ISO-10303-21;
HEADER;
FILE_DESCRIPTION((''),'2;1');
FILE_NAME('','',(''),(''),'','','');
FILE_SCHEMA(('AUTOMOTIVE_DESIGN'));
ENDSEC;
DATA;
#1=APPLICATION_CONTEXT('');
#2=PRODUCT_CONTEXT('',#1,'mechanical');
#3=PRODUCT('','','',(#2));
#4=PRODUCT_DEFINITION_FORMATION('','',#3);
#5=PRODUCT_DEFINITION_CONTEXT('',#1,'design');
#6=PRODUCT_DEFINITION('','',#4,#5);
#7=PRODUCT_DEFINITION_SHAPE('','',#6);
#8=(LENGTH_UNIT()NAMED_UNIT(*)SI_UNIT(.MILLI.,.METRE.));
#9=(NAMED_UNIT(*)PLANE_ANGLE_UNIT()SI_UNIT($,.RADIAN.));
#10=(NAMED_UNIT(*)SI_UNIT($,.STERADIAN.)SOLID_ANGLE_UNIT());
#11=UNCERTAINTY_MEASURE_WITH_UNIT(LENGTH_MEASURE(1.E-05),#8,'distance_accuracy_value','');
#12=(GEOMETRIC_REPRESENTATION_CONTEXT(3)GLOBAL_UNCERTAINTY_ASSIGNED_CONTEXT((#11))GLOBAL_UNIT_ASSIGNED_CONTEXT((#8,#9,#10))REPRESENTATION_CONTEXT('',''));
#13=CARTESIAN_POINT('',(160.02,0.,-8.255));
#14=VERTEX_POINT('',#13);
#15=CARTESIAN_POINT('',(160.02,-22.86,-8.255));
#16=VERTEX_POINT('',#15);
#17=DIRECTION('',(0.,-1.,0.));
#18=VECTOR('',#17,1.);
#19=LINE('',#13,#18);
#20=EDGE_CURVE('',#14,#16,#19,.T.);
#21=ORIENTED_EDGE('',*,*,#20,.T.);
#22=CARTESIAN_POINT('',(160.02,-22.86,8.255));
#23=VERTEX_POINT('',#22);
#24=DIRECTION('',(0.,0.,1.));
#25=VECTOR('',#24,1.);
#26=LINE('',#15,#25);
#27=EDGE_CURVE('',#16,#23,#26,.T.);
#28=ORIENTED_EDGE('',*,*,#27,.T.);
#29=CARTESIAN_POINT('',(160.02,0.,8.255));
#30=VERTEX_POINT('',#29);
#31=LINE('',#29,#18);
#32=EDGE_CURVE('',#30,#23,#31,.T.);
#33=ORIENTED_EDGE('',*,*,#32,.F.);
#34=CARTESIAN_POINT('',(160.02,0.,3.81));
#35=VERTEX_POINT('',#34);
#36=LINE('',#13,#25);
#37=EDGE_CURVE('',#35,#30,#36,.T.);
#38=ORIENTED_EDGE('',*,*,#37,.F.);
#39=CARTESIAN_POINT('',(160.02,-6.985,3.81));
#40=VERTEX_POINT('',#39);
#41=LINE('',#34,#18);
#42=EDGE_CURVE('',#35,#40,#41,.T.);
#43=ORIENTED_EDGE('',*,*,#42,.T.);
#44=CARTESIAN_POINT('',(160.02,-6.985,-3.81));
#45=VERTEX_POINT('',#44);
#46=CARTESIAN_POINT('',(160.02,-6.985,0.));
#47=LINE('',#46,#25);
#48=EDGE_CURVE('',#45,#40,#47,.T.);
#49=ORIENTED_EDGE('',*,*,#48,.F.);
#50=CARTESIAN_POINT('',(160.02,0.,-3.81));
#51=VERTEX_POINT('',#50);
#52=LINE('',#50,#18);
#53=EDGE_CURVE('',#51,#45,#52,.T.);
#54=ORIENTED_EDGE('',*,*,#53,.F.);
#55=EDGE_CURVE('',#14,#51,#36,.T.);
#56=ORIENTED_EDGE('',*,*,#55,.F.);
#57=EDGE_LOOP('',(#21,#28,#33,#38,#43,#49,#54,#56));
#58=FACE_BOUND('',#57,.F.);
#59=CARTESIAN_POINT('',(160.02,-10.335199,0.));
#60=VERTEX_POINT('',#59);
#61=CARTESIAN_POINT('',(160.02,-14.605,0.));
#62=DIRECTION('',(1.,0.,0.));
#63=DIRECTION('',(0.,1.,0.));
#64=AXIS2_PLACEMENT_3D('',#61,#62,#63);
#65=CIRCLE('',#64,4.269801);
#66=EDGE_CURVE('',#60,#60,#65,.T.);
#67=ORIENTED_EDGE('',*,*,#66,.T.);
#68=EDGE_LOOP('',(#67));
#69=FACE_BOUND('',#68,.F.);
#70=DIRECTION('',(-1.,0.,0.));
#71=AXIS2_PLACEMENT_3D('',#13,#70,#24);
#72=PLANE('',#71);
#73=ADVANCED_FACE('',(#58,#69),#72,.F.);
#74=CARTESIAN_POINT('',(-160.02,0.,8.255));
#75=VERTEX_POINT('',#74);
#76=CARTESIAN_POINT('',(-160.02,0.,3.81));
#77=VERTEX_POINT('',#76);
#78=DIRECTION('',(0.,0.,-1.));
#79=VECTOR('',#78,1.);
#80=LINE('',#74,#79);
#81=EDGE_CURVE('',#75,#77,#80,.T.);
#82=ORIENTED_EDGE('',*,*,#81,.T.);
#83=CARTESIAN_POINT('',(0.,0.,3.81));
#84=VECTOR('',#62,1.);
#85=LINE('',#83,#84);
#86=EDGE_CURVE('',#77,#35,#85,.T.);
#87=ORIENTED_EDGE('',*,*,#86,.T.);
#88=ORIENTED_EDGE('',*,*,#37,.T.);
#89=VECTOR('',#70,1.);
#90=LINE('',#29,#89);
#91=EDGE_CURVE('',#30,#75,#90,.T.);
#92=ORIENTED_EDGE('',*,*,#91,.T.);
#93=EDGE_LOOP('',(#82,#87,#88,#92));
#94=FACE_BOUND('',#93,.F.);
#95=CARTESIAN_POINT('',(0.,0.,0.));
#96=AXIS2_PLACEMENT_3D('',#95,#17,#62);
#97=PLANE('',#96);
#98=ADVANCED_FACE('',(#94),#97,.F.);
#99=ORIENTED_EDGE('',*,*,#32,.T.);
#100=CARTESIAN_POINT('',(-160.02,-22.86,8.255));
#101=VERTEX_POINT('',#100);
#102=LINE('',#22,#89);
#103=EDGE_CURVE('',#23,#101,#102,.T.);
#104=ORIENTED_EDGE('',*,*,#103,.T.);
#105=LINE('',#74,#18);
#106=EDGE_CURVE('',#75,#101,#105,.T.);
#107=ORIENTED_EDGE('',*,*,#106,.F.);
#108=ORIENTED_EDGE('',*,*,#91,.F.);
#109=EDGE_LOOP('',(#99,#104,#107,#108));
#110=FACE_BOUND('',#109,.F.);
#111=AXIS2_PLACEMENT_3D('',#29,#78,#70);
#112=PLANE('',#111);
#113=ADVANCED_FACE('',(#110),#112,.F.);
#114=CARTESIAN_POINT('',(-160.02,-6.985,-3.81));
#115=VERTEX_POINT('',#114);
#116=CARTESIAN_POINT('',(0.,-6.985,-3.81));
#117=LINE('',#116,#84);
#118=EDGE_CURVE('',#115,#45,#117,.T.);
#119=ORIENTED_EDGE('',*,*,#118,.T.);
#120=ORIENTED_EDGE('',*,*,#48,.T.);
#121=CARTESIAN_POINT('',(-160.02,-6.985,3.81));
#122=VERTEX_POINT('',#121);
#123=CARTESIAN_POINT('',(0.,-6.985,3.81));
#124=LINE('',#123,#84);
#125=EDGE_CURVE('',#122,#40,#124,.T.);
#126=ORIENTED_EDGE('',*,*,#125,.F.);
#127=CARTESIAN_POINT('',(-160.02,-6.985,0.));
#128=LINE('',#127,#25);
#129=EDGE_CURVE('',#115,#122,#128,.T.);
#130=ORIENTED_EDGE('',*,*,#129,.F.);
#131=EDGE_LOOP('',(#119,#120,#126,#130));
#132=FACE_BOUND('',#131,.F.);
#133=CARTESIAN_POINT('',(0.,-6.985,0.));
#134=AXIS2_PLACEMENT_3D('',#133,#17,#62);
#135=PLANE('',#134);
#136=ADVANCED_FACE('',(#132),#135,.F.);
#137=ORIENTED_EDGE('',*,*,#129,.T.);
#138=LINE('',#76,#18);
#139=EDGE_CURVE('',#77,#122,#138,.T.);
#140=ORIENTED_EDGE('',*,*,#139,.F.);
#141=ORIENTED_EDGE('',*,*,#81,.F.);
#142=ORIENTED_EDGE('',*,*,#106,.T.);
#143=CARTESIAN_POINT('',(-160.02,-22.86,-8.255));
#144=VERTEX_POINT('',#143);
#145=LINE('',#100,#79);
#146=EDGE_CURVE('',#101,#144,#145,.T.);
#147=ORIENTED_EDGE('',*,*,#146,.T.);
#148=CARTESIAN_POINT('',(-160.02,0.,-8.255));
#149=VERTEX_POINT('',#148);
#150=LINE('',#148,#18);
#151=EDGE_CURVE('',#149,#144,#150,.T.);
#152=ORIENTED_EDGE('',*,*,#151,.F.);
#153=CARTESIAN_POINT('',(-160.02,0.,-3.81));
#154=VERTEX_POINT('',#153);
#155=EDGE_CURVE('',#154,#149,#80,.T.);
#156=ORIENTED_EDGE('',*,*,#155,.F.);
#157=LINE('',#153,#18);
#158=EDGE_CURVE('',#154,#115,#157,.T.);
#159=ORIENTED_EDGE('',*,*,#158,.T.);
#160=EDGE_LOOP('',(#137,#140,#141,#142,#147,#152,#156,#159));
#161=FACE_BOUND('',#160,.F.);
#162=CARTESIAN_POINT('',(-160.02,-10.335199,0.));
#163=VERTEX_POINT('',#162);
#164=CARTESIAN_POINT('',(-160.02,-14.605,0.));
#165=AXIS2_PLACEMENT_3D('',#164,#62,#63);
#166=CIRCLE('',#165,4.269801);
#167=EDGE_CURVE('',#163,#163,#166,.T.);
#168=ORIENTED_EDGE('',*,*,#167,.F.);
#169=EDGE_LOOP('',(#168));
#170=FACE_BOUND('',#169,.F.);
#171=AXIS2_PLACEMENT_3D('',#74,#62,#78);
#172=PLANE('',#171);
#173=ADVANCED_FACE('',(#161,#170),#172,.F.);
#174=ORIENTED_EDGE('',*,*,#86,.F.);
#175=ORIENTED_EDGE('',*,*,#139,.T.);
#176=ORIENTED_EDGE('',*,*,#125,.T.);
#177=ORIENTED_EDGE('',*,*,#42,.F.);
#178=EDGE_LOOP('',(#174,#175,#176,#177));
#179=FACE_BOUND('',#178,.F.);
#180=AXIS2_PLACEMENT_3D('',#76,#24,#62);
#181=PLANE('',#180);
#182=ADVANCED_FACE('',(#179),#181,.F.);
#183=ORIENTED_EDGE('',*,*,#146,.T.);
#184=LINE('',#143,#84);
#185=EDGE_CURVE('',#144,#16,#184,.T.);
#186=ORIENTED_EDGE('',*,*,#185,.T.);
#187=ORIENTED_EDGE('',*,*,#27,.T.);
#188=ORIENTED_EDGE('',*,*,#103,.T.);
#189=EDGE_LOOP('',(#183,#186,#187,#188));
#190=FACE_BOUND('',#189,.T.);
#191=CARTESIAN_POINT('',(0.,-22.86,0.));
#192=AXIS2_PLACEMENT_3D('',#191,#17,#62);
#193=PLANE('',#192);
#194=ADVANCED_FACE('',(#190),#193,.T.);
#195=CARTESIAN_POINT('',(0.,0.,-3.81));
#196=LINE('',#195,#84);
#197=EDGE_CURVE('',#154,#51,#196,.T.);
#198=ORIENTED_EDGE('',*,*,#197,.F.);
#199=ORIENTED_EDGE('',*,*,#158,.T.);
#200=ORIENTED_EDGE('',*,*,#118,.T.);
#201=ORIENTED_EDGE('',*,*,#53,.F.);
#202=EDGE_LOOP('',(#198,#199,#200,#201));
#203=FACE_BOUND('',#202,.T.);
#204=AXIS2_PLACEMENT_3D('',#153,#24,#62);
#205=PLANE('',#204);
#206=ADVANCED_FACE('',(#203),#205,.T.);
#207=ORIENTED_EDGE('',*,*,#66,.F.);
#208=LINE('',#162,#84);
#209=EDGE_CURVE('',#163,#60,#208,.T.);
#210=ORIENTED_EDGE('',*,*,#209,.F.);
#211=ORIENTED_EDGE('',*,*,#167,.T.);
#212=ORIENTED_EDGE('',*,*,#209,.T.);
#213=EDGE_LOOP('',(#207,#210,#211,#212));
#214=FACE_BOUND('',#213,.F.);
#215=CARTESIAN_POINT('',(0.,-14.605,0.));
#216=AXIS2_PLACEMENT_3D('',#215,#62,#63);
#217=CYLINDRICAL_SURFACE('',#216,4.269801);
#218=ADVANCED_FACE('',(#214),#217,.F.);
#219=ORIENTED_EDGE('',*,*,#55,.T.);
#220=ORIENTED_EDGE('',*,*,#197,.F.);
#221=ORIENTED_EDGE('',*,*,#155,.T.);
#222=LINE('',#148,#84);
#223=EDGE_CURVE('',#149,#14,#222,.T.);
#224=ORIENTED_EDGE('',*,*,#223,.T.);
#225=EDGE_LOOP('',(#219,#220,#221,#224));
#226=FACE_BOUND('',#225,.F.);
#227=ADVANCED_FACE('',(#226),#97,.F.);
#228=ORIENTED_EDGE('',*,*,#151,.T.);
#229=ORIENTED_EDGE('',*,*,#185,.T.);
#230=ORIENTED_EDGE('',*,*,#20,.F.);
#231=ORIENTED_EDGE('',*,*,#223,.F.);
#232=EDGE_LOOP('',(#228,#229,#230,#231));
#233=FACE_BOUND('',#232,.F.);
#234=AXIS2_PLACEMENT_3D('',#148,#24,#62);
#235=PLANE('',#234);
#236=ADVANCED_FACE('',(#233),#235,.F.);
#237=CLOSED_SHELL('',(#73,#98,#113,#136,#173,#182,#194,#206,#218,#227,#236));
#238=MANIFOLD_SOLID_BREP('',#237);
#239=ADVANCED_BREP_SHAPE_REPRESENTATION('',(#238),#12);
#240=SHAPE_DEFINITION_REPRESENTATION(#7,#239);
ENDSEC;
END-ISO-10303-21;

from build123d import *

# Parameters (mm, degrees)
F1_DEPTH = 22.86
F2_W     = 320.04
F2_H     = 7.62
F3_DEPTH = 6.985
F4_R     = 4.269801
F5_DEPTH = 160.02


with BuildPart() as f1:
    # F0 (on Front) → F1 (new body)
    with BuildSketch(Plane.XZ):
        Polygon((160.02, 8.255), (-160.02, 8.255), (-160.02, 3.81), (-160.02, -3.81), (-160.02, -8.255), (160.02, -8.255), (160.02, -3.81), (160.02, 3.81), align=None)
    extrude(amount=F1_DEPTH)

    # F2 (on Front) → F3 (cut)
    with BuildSketch(Plane.XZ):
        Rectangle(F2_W, F2_H)
    extrude(amount=F3_DEPTH, mode=Mode.SUBTRACT)

    # F4 (on Right) → F5 (cut, symmetric)
    with BuildSketch(Plane.YZ):
        with Locations((-14.605, 0)):
            Circle(F4_R)
    extrude(amount=F5_DEPTH, both=True, mode=Mode.SUBTRACT)


solid = f1.part
